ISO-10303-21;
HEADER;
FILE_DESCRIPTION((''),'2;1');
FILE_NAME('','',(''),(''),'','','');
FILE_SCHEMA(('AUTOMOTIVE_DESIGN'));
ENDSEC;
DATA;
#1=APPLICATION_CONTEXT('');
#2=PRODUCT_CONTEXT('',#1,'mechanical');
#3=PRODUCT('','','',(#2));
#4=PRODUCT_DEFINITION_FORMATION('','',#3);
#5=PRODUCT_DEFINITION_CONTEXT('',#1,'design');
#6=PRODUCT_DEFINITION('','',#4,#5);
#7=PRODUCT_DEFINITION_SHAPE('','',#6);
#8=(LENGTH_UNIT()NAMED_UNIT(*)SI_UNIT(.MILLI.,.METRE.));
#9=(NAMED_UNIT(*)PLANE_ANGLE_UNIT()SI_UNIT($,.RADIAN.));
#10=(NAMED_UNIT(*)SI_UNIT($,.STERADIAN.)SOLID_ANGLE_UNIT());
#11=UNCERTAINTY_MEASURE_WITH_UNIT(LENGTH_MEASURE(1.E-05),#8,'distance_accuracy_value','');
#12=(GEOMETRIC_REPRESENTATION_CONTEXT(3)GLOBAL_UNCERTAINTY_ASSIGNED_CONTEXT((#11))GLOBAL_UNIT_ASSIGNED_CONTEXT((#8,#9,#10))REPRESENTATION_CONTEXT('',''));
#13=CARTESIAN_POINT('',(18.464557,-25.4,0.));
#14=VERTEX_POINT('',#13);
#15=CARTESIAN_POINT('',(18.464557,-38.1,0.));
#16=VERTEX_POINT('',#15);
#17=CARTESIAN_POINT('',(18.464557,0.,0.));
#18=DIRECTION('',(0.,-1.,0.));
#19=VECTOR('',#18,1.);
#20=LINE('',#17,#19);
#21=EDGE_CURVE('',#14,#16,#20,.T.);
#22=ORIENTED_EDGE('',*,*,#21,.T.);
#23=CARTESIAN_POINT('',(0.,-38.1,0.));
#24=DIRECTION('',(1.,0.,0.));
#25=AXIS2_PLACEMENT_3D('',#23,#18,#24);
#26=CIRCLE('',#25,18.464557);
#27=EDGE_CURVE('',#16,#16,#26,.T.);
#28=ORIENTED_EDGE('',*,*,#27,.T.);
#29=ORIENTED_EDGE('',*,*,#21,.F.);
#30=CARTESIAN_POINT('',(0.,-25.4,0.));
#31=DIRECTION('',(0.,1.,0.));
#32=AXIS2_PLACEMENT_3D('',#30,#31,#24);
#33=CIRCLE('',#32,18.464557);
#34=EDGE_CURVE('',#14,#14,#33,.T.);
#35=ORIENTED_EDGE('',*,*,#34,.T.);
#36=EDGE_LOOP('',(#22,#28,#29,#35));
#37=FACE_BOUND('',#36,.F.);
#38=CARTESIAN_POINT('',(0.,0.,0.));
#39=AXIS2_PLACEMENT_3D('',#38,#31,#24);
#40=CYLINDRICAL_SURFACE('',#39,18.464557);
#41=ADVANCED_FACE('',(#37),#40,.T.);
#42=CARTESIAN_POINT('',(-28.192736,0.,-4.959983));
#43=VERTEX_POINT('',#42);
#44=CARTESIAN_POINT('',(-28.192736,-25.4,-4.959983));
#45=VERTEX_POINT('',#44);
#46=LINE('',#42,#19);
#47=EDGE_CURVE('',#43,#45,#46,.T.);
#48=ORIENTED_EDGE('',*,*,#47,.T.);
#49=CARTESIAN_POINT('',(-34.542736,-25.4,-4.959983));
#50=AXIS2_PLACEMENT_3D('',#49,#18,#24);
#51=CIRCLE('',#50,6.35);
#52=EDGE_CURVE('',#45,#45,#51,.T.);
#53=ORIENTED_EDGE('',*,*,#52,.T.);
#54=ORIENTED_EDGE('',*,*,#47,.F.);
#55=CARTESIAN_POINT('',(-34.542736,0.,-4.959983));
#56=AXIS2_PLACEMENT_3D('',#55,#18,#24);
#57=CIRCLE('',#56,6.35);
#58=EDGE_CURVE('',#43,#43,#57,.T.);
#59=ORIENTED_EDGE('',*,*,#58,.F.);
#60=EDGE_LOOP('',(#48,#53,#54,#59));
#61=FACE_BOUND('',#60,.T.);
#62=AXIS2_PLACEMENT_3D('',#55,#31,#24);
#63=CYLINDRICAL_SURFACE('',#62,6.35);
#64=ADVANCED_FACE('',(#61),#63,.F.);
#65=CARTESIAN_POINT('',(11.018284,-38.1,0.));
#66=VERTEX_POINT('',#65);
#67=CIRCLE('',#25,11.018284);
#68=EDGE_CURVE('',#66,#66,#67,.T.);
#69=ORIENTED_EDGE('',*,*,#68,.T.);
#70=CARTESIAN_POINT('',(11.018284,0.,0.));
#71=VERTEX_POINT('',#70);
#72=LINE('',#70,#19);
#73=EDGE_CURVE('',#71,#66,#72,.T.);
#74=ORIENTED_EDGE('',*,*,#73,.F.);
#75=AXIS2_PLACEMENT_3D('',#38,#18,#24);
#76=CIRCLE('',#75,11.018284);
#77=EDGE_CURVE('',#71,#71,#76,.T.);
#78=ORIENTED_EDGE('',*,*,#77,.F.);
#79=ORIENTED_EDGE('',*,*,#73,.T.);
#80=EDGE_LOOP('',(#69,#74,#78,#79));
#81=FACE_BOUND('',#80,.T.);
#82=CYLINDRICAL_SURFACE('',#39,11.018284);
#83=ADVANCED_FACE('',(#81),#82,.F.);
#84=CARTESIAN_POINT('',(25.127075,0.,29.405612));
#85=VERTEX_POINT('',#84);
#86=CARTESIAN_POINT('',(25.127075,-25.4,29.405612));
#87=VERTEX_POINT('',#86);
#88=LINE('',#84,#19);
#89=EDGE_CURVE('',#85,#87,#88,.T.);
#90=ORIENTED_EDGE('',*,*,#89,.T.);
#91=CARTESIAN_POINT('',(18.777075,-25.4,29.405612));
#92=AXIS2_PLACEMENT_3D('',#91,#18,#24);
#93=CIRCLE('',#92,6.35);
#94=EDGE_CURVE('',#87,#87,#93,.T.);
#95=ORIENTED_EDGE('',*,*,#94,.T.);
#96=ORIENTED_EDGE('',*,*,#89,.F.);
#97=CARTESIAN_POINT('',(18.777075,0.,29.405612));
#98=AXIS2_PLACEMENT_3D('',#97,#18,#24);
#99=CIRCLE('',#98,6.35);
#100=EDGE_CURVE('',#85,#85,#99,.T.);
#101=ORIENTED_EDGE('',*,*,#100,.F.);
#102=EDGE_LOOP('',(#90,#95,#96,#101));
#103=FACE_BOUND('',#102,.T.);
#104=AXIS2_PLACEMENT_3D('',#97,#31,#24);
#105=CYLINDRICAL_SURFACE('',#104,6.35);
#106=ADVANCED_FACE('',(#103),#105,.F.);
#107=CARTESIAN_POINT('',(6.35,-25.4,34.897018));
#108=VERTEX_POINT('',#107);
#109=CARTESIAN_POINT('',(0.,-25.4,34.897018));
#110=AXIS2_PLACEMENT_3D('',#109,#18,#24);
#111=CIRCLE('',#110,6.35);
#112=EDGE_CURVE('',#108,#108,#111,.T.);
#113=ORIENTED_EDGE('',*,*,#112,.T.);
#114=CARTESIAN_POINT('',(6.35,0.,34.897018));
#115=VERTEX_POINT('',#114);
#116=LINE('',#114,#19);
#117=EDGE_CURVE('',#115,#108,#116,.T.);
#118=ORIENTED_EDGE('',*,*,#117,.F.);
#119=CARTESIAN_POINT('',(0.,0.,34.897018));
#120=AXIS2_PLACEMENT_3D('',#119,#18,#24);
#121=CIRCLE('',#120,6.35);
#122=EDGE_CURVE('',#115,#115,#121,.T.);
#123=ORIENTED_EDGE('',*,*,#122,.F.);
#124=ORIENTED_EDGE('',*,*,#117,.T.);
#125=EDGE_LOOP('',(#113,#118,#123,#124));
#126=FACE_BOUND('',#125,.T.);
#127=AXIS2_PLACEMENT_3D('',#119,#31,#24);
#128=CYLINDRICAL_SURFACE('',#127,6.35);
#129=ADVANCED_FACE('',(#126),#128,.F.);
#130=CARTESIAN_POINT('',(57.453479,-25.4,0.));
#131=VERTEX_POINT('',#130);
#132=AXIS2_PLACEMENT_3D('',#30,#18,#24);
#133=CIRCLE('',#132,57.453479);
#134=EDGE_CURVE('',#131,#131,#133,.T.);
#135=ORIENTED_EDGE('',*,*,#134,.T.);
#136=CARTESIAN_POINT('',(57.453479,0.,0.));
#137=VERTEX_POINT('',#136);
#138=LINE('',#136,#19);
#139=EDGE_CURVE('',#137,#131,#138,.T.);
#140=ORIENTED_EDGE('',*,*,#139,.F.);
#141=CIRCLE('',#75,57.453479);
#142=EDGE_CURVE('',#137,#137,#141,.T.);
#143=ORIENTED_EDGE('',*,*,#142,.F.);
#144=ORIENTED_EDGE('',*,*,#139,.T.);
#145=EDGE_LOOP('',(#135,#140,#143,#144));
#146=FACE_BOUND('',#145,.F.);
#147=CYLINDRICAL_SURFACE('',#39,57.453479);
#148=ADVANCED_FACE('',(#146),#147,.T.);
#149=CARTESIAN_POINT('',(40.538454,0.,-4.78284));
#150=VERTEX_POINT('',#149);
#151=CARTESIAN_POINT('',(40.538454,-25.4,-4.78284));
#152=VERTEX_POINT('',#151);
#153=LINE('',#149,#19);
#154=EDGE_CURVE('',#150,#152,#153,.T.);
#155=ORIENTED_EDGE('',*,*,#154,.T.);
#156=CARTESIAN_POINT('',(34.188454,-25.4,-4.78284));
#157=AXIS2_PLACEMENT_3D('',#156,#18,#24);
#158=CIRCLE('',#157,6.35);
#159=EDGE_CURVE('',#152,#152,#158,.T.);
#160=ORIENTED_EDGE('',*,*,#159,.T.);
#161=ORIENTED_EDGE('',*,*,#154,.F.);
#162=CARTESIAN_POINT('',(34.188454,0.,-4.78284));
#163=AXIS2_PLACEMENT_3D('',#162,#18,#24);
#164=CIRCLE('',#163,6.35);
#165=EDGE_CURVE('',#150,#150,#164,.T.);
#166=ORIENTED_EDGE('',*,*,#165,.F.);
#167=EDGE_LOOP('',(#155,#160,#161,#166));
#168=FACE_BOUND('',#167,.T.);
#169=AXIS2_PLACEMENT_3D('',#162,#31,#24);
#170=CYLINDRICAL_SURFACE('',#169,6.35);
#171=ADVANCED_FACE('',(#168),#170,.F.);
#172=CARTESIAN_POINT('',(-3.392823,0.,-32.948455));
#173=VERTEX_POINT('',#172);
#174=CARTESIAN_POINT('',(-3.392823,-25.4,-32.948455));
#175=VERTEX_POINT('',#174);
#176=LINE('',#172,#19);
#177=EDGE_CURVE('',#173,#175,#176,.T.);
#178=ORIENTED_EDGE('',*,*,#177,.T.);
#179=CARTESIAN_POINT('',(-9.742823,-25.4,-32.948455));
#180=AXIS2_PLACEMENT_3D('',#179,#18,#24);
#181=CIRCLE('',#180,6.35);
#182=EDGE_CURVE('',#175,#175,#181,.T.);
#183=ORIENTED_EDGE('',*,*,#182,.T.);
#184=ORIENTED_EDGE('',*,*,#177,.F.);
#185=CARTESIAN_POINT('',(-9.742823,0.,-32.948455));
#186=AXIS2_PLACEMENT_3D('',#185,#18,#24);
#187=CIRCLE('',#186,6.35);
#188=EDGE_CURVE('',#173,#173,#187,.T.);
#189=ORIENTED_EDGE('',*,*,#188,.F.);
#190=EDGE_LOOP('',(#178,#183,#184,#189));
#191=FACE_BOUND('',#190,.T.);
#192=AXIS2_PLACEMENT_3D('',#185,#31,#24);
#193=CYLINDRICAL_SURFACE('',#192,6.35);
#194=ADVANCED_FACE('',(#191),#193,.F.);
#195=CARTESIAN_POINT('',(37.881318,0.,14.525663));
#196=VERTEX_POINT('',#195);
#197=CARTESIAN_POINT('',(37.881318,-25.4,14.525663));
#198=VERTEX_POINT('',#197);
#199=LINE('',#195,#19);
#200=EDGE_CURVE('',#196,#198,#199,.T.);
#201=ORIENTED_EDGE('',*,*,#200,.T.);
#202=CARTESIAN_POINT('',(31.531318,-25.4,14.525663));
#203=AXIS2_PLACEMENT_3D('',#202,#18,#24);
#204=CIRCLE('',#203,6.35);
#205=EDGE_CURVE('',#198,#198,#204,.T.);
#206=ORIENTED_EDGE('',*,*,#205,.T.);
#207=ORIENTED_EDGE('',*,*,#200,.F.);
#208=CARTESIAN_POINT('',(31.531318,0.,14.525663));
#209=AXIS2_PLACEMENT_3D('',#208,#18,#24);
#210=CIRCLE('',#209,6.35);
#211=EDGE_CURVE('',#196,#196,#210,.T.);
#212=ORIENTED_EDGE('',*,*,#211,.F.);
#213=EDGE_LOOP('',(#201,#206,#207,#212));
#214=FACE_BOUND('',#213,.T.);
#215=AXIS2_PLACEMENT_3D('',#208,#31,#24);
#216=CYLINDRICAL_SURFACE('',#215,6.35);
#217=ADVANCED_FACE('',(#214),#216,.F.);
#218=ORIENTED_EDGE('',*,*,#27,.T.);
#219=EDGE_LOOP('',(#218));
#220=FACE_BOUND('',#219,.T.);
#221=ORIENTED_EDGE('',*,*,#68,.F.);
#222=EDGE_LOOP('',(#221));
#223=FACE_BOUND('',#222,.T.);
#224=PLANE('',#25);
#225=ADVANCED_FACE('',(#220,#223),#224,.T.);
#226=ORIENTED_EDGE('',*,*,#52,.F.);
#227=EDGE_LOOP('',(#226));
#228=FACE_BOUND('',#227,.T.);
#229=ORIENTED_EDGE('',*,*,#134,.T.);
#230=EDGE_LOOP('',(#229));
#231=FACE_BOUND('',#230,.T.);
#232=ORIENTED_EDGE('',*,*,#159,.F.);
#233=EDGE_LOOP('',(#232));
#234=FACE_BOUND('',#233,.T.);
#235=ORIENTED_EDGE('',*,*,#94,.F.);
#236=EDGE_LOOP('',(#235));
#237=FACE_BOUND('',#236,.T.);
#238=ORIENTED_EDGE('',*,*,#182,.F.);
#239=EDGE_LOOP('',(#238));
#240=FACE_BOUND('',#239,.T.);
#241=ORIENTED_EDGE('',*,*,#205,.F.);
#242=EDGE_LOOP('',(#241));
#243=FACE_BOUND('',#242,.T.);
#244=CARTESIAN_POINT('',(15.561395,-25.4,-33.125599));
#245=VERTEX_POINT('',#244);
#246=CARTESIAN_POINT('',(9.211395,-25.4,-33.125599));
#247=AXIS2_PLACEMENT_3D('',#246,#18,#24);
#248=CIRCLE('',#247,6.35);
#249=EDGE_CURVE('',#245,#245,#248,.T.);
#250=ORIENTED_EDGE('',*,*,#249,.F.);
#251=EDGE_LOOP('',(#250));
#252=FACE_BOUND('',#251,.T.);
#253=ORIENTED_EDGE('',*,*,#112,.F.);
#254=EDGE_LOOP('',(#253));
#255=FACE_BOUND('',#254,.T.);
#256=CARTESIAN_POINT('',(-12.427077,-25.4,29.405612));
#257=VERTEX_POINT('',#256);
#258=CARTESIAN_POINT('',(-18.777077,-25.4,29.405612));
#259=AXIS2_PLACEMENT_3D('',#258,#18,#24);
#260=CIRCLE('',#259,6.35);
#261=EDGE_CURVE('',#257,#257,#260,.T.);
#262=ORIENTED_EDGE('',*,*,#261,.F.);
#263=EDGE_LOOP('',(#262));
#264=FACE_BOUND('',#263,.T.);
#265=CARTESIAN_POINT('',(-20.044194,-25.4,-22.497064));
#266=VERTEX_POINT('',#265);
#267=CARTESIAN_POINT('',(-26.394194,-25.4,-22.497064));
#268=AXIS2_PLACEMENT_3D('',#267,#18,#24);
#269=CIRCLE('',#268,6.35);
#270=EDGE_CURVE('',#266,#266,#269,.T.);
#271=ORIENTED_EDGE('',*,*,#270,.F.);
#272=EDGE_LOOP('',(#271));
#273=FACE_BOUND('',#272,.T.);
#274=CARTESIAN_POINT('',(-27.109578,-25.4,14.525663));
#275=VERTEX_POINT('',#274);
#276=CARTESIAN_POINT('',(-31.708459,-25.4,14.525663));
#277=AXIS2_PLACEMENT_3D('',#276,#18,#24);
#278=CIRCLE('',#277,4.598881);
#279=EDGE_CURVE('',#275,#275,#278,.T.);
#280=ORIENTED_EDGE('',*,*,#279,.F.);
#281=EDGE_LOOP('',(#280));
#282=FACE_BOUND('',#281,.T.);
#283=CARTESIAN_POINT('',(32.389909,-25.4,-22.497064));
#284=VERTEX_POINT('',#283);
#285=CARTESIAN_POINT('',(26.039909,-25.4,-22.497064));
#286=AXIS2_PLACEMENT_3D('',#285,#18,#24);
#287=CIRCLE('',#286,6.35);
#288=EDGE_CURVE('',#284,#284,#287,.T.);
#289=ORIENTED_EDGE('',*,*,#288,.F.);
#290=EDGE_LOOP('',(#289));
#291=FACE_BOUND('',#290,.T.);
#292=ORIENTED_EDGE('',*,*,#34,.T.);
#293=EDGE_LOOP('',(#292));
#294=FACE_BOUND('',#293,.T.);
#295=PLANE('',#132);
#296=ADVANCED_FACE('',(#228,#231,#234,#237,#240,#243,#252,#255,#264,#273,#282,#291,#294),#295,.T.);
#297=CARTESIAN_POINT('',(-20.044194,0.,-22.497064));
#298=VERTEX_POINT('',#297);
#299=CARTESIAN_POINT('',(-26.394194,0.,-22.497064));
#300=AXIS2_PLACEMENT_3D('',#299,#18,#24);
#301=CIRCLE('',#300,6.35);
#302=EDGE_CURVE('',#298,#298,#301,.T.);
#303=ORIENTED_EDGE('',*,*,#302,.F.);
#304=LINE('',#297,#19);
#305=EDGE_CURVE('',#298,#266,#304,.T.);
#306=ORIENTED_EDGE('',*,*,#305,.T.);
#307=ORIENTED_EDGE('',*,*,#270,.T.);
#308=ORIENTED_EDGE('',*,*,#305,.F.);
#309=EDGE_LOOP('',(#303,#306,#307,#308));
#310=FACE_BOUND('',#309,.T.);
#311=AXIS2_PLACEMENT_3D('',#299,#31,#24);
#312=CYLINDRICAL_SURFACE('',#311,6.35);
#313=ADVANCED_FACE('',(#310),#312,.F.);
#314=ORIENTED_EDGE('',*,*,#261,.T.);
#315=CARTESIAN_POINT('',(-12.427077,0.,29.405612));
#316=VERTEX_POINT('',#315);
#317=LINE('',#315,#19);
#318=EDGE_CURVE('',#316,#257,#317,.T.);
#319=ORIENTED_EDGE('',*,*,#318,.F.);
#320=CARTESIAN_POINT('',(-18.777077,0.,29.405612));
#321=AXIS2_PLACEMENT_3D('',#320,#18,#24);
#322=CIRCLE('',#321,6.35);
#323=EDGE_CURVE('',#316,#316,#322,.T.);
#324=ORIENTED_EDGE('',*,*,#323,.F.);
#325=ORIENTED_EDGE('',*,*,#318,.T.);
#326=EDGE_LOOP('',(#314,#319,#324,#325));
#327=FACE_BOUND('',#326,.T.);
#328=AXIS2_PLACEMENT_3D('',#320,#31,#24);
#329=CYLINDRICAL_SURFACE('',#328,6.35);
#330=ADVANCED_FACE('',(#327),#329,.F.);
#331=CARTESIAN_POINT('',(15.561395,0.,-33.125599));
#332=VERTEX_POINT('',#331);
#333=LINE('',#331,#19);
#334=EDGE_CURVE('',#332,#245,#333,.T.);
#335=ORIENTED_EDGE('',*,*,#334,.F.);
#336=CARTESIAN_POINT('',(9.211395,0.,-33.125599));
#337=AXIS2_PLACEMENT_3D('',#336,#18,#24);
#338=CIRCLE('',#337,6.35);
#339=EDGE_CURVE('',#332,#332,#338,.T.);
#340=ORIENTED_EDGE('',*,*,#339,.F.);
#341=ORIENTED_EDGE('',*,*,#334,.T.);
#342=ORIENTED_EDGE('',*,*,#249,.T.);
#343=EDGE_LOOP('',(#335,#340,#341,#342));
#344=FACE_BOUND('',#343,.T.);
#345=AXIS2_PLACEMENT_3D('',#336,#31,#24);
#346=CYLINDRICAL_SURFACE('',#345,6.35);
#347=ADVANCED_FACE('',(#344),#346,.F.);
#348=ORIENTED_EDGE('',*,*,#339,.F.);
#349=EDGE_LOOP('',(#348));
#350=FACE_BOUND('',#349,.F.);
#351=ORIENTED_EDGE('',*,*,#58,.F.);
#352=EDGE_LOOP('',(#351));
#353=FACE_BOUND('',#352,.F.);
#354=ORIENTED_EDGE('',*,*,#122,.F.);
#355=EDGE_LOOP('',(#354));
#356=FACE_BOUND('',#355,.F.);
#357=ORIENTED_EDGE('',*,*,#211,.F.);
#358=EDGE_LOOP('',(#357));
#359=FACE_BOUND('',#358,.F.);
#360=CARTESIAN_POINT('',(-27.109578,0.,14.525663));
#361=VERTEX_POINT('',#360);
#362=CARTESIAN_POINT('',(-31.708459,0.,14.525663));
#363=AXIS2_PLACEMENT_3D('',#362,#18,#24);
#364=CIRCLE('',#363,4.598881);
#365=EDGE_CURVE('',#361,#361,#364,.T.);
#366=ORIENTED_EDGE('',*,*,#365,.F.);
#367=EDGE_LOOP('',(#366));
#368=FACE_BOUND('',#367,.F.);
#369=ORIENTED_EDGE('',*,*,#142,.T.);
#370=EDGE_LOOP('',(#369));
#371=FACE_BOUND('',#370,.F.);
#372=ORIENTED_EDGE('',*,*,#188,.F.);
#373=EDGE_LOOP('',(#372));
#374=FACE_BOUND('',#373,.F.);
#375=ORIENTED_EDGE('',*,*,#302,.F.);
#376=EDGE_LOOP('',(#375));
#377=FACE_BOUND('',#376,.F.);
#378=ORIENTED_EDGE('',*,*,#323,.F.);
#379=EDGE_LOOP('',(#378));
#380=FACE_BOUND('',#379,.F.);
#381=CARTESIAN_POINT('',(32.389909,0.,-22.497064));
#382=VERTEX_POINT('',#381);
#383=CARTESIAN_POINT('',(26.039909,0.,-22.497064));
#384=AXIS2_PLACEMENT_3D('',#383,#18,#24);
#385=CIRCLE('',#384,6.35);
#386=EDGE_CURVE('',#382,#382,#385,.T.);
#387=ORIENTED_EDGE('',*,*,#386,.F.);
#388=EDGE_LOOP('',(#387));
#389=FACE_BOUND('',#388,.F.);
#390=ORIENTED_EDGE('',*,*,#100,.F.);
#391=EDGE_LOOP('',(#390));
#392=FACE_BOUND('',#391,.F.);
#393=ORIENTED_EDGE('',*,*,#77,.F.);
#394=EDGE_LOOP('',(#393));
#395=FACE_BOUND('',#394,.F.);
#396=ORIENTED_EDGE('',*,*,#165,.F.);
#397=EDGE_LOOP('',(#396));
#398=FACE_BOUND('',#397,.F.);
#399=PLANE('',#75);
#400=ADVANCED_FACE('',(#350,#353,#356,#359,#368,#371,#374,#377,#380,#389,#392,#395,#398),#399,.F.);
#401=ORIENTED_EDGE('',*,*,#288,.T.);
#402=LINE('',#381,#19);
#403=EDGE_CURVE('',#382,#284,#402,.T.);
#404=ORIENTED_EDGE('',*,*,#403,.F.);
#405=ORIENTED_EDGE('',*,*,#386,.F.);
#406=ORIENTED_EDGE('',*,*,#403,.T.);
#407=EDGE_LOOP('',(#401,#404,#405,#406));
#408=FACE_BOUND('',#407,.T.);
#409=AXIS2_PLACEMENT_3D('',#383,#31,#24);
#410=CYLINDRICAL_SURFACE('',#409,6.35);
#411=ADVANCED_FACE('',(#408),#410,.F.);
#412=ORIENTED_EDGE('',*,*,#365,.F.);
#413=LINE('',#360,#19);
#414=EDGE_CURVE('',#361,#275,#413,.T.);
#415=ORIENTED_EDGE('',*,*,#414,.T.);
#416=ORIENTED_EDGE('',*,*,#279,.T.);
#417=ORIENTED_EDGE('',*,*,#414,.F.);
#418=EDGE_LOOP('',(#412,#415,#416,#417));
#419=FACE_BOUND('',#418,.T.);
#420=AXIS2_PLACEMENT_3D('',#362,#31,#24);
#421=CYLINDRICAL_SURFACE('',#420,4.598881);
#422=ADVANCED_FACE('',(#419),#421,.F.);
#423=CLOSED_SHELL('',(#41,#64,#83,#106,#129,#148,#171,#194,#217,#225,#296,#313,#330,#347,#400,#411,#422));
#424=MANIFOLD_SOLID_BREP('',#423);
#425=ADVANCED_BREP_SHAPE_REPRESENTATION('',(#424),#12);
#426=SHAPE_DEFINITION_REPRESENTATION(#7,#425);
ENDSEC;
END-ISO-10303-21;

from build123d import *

# Parameters (mm, degrees)
F1_R     = 57.453479
F1_R_2   = 6.35
F1_R_3   = 4.598881
F1_R_4   = 18.389548
F2_DEPTH = 25.4
F3_R     = 18.464557
F3_R_2   = 11.018284
F4_DEPTH = 38.1


with BuildPart() as f2:
    # F1 (on face) → F2 (new body)
    with BuildSketch(Plane.XZ):
        Circle(F1_R)
        with Locations((-9.742823, -32.948455)):
            Circle(F1_R_2, mode=Mode.SUBTRACT)
        with Locations((-34.542736, -4.959983)):
            Circle(F1_R_2, mode=Mode.SUBTRACT)
        with Locations((-26.394194, -22.497064)):
            Circle(F1_R_2, mode=Mode.SUBTRACT)
        with Locations((9.211395, -33.125599)):
            Circle(F1_R_2, mode=Mode.SUBTRACT)
        with Locations((26.039909, -22.497064)):
            Circle(F1_R_2, mode=Mode.SUBTRACT)
        with Locations((34.188454, -4.78284)):
            Circle(F1_R_2, mode=Mode.SUBTRACT)
        with Locations((-31.708459, 14.525663)):
            Circle(F1_R_3, mode=Mode.SUBTRACT)
        with Locations((-18.777077, 29.405612)):
            Circle(F1_R_2, mode=Mode.SUBTRACT)
        Circle(F1_R_4, mode=Mode.SUBTRACT)
        with Locations((31.531318, 14.525663)):
            Circle(F1_R_2, mode=Mode.SUBTRACT)
        with Locations((0, 34.897018)):
            Circle(F1_R_2, mode=Mode.SUBTRACT)
        with Locations((18.777075, 29.405612)):
            Circle(F1_R_2, mode=Mode.SUBTRACT)
    extrude(amount=F2_DEPTH)

    # F3 (on Front) → F4 (join)
    with BuildSketch(Plane.XZ):
        Circle(F3_R)
        Circle(F3_R_2, mode=Mode.SUBTRACT)
    extrude(amount=F4_DEPTH)


solid = f2.part
